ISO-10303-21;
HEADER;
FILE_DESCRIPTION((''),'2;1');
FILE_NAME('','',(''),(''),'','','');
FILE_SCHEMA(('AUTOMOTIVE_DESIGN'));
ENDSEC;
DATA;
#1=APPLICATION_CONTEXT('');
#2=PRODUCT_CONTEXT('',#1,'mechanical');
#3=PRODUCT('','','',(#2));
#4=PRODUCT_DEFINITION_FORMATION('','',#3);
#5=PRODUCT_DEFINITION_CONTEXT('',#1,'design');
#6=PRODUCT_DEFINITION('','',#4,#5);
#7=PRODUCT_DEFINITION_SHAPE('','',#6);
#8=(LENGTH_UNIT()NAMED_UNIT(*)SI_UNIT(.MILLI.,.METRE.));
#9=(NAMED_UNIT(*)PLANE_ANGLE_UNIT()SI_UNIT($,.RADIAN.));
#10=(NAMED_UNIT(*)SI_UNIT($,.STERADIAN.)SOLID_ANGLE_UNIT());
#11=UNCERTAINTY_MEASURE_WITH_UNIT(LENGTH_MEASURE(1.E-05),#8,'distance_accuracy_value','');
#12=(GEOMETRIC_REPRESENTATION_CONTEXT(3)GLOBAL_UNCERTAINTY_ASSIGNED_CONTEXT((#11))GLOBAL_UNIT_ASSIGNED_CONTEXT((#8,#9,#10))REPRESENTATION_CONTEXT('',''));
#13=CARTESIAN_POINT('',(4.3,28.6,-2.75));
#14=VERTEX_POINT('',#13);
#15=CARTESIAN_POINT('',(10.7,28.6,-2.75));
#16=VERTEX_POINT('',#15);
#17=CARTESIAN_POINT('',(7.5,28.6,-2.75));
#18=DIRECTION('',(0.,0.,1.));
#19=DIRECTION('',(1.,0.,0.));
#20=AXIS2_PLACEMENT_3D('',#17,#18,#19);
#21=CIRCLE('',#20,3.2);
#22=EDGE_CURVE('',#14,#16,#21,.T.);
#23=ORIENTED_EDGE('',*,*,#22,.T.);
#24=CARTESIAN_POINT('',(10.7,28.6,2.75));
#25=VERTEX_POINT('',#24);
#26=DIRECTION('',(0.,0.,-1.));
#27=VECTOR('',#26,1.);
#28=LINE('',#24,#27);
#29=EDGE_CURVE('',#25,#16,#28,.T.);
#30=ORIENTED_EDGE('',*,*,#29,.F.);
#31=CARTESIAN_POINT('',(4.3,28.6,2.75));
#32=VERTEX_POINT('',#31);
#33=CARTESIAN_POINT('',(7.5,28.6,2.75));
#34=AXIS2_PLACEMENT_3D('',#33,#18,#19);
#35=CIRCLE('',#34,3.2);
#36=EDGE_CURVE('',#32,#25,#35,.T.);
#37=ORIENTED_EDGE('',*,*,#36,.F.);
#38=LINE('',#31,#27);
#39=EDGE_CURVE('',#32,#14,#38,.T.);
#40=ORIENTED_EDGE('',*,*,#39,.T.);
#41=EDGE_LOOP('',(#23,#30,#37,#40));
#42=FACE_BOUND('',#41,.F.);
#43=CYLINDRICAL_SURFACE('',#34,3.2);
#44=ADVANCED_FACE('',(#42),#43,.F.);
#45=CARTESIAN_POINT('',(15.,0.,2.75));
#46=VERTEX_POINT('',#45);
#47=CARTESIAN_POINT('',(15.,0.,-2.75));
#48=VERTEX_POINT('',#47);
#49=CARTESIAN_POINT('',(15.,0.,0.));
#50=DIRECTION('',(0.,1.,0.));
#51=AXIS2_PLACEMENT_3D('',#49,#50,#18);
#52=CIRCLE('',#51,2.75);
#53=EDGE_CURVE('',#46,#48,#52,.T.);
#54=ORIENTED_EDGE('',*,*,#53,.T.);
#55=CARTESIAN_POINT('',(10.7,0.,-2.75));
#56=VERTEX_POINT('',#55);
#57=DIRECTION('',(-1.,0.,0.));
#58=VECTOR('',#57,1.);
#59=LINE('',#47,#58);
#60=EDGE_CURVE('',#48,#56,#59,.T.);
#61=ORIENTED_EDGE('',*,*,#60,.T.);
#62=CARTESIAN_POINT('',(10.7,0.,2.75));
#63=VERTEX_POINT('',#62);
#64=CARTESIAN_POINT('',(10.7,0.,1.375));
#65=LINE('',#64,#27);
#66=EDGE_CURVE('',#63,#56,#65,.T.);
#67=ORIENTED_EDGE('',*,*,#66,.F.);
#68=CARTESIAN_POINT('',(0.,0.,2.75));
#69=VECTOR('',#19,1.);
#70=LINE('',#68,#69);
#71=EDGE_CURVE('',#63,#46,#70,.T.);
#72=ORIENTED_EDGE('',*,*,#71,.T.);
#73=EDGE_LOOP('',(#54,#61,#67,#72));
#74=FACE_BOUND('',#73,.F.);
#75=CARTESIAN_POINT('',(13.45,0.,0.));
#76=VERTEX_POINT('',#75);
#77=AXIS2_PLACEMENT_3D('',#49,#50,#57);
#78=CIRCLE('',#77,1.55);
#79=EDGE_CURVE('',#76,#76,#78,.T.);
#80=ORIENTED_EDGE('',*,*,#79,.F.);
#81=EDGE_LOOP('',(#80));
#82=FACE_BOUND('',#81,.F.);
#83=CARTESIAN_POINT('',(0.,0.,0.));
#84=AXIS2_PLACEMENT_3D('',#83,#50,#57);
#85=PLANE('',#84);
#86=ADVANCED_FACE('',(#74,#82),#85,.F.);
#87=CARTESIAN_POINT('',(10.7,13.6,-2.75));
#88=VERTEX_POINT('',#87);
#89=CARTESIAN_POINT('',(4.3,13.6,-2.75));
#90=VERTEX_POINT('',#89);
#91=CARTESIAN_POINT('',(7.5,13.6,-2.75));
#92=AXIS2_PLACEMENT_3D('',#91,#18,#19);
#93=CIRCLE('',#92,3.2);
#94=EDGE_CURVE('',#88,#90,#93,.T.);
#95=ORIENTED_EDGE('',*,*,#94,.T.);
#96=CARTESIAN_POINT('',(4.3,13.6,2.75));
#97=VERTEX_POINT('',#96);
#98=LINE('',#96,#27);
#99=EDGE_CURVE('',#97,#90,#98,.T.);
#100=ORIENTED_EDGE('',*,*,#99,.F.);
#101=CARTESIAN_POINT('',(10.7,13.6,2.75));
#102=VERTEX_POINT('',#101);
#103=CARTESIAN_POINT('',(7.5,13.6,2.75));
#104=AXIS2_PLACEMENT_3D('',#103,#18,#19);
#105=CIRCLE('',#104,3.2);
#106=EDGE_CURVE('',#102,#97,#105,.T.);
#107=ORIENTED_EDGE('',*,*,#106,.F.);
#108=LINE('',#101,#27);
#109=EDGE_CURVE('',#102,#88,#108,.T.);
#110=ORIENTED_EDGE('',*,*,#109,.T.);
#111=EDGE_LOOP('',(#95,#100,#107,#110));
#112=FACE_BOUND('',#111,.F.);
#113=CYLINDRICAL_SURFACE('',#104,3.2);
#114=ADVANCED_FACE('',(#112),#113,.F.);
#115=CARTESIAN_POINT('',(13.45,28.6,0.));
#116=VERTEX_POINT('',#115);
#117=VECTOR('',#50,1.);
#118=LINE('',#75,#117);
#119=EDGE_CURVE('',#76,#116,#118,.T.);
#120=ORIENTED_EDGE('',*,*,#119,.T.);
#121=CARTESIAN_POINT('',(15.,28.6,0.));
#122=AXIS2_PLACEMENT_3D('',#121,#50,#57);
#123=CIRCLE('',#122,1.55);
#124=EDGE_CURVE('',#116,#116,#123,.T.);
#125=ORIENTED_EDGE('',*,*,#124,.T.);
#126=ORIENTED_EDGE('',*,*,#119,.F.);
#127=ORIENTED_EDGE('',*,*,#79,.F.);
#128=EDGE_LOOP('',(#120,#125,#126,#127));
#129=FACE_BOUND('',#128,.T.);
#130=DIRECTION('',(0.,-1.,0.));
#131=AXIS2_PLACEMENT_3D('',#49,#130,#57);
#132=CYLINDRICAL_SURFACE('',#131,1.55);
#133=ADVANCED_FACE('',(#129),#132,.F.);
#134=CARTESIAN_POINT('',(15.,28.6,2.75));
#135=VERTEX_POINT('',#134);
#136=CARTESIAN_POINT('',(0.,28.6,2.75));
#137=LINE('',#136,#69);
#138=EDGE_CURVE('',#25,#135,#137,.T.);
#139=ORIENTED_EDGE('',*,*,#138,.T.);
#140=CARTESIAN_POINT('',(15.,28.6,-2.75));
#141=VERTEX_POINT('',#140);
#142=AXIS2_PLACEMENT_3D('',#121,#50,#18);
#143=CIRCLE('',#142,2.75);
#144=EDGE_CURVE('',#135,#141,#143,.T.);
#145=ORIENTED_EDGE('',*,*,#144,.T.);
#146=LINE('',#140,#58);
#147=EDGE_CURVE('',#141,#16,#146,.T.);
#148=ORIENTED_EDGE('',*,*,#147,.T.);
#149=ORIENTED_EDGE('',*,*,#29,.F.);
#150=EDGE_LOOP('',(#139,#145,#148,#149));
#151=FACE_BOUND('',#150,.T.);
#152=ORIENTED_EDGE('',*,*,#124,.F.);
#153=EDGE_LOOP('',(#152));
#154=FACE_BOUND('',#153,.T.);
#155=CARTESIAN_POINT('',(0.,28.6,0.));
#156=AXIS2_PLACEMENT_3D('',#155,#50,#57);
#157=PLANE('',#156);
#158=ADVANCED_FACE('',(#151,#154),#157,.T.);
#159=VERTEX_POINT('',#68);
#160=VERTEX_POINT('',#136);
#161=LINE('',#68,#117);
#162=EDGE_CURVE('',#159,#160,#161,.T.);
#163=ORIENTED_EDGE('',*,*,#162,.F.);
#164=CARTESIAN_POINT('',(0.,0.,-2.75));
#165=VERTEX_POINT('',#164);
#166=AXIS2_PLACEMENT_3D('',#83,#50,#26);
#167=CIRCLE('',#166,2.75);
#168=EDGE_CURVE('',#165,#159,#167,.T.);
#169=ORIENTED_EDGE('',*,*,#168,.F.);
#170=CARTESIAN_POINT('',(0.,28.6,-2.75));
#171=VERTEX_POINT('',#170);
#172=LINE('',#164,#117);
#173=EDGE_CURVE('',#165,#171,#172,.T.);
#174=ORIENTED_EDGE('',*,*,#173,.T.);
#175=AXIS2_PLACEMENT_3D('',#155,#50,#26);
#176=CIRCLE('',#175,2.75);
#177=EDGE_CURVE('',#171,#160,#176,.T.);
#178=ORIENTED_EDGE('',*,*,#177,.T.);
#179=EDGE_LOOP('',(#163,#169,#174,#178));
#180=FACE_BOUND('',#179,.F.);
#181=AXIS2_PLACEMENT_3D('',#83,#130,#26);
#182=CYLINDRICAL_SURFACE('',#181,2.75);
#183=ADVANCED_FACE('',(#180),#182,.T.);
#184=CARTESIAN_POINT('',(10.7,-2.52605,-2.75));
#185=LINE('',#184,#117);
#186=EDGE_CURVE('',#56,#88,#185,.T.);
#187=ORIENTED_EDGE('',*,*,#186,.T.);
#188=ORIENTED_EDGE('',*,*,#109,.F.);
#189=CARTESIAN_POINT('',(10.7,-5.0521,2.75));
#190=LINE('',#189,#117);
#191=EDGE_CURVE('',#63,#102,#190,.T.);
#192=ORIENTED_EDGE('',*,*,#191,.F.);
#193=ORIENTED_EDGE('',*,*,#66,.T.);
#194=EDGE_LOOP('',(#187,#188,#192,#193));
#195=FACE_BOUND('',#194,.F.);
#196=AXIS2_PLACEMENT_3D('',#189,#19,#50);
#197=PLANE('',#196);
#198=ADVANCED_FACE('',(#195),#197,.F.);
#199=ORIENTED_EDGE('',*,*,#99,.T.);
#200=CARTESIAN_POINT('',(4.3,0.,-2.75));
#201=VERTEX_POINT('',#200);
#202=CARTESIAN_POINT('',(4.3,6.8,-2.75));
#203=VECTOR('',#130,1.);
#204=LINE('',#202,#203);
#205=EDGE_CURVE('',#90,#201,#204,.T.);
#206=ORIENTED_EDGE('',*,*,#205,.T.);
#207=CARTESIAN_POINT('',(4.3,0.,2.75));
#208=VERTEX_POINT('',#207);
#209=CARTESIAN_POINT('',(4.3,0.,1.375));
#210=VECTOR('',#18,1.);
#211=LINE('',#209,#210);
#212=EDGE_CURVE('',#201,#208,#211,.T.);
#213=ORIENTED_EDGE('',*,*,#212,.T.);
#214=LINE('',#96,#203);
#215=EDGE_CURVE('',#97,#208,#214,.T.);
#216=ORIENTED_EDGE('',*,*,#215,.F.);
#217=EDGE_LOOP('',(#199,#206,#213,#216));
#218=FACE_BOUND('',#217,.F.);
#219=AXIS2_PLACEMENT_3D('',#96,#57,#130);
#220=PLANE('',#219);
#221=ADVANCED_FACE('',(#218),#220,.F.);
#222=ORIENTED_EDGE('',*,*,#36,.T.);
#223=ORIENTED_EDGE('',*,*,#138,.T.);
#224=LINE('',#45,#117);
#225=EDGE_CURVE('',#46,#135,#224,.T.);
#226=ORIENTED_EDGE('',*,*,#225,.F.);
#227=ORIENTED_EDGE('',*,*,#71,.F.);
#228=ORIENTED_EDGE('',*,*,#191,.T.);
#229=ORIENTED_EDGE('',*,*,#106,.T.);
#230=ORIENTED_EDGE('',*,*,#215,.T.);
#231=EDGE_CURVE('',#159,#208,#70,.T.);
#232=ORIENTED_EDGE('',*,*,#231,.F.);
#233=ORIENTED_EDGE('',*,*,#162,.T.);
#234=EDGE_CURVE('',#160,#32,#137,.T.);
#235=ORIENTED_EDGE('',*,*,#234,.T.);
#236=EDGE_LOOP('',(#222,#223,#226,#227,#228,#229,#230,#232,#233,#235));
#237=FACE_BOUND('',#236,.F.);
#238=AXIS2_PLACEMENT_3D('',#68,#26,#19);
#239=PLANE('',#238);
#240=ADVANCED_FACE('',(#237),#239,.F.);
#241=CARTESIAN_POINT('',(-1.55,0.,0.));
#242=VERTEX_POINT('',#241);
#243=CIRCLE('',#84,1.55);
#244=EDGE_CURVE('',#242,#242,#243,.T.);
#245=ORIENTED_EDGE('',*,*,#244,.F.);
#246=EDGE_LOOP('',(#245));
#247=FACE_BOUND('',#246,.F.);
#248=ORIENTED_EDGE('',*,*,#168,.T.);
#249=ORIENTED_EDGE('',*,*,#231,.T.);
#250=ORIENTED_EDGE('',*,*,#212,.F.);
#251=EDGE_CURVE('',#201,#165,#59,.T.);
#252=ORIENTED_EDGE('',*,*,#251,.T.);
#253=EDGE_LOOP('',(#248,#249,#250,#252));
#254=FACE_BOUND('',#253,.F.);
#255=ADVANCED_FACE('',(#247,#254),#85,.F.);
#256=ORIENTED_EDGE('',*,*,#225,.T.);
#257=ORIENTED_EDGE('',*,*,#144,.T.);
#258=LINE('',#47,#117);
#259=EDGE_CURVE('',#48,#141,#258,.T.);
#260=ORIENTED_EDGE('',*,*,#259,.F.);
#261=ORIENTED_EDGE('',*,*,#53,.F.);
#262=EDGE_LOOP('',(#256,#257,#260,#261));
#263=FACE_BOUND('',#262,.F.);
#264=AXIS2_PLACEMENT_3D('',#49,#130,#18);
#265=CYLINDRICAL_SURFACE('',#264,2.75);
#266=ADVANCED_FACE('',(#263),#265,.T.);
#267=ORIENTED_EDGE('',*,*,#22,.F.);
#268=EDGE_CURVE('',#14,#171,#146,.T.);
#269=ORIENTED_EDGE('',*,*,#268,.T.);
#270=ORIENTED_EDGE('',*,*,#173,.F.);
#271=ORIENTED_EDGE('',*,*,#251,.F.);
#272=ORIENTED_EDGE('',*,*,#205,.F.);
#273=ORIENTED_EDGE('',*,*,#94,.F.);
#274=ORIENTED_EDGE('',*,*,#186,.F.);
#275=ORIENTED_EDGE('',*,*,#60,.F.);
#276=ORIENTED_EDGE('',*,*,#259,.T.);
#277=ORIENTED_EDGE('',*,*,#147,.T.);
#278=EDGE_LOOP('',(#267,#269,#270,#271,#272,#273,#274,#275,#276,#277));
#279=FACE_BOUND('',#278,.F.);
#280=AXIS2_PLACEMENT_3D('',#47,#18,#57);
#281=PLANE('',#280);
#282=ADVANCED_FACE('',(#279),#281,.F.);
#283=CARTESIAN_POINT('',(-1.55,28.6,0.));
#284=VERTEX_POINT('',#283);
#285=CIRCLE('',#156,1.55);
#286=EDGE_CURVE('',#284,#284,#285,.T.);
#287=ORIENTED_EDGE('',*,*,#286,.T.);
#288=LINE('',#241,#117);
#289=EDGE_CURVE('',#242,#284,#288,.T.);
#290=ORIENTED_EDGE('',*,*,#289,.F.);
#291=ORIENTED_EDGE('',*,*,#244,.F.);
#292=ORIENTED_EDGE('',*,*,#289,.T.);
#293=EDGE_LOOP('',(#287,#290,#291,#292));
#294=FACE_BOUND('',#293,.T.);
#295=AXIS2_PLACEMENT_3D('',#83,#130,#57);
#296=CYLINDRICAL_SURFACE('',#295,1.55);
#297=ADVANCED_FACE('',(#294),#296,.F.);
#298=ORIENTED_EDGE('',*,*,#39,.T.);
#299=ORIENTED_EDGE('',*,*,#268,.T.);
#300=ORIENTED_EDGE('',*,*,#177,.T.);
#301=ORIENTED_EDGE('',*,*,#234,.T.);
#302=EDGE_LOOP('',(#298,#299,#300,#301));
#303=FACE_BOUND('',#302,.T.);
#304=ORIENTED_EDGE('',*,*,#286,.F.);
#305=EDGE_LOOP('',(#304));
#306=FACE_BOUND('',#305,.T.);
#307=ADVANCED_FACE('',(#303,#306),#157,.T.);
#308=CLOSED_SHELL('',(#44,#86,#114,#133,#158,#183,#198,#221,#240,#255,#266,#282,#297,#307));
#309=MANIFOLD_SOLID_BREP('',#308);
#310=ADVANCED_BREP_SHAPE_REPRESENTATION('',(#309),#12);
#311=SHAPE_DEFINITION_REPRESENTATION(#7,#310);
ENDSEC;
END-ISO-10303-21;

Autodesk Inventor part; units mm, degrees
ref_plane "YZ Plane" through (0, 0, 0) normal (1, 0, 0) x (0, 1, 0)
ref_plane "XZ Plane" through (0, 0, 0) normal (0, 1, 0) x (-1, 0, 0)
ref_plane "XY Plane" through (0, 0, 0) normal (0, 0, 1) x (1, 0, 0)
sketch "Sketch1" plane through (0, 0, 0) normal (0, 1, 0) x (-1, 0, 0)
  circle A0 centre (0, 0) radius 1.55
  circle A1 centre (-15, 0) radius 1.55
  line L0 (0, 0) -> (-15, 0) construction
  line L1 (0, 2.75) -> (-15, 2.75)
  line L2 (-15, -2.75) -> (0, -2.75)
  arc A2 (0, -2.75) -> (0, 2.75) centre (0, 0) ccw
  arc A3 (-15, 2.75) -> (-15, -2.75) centre (-15, 0) ccw
  point P0 (-7.5, 0)
  dimension "d0" = 3.1
  dimension "d1" = 15
  dimension "d2" = 20.5
extrude "Extrusion1" add sketch "Sketch1" along normal blind 28.6
sketch "Sketch2" plane through (0, 0, 2.75) normal (0, 0, 1) x (1, 0, 0)
  line L0 (15, 28.6) -> (0, 28.6) projected
  circle A0 centre (7.5, 28.6) radius 3.2
  line L1 (7.5, 13.6) -> (7.5, -5.0521) construction
  line L2 (4.3, 13.6) -> (4.3, -5.0521)
  line L3 (10.7, -5.0521) -> (10.7, 13.6)
  arc A1 (10.7, 13.6) -> (4.3, 13.6) centre (7.5, 13.6) ccw
  arc A2 (4.3, -5.0521) -> (10.7, -5.0521) centre (7.5, -5.0521) ccw
  line L4 (0, 28.6) -> (15, 28.6) projected
  point P0 (0, 0)
  point P1 (4.3, 28.6)
  point P2 (10.7, 28.6)
  point P3 (7.5, 4.274)
  dimension "d5" = 6.4
  dimension "d8" = 15
extrude "Extrusion2" cut sketch "Sketch2" against normal through all contours A0 L0 | A1 L3 A2 L2 picked at (6.7016, 27.3821)
properties part number "suction_clip_2_bottom"
